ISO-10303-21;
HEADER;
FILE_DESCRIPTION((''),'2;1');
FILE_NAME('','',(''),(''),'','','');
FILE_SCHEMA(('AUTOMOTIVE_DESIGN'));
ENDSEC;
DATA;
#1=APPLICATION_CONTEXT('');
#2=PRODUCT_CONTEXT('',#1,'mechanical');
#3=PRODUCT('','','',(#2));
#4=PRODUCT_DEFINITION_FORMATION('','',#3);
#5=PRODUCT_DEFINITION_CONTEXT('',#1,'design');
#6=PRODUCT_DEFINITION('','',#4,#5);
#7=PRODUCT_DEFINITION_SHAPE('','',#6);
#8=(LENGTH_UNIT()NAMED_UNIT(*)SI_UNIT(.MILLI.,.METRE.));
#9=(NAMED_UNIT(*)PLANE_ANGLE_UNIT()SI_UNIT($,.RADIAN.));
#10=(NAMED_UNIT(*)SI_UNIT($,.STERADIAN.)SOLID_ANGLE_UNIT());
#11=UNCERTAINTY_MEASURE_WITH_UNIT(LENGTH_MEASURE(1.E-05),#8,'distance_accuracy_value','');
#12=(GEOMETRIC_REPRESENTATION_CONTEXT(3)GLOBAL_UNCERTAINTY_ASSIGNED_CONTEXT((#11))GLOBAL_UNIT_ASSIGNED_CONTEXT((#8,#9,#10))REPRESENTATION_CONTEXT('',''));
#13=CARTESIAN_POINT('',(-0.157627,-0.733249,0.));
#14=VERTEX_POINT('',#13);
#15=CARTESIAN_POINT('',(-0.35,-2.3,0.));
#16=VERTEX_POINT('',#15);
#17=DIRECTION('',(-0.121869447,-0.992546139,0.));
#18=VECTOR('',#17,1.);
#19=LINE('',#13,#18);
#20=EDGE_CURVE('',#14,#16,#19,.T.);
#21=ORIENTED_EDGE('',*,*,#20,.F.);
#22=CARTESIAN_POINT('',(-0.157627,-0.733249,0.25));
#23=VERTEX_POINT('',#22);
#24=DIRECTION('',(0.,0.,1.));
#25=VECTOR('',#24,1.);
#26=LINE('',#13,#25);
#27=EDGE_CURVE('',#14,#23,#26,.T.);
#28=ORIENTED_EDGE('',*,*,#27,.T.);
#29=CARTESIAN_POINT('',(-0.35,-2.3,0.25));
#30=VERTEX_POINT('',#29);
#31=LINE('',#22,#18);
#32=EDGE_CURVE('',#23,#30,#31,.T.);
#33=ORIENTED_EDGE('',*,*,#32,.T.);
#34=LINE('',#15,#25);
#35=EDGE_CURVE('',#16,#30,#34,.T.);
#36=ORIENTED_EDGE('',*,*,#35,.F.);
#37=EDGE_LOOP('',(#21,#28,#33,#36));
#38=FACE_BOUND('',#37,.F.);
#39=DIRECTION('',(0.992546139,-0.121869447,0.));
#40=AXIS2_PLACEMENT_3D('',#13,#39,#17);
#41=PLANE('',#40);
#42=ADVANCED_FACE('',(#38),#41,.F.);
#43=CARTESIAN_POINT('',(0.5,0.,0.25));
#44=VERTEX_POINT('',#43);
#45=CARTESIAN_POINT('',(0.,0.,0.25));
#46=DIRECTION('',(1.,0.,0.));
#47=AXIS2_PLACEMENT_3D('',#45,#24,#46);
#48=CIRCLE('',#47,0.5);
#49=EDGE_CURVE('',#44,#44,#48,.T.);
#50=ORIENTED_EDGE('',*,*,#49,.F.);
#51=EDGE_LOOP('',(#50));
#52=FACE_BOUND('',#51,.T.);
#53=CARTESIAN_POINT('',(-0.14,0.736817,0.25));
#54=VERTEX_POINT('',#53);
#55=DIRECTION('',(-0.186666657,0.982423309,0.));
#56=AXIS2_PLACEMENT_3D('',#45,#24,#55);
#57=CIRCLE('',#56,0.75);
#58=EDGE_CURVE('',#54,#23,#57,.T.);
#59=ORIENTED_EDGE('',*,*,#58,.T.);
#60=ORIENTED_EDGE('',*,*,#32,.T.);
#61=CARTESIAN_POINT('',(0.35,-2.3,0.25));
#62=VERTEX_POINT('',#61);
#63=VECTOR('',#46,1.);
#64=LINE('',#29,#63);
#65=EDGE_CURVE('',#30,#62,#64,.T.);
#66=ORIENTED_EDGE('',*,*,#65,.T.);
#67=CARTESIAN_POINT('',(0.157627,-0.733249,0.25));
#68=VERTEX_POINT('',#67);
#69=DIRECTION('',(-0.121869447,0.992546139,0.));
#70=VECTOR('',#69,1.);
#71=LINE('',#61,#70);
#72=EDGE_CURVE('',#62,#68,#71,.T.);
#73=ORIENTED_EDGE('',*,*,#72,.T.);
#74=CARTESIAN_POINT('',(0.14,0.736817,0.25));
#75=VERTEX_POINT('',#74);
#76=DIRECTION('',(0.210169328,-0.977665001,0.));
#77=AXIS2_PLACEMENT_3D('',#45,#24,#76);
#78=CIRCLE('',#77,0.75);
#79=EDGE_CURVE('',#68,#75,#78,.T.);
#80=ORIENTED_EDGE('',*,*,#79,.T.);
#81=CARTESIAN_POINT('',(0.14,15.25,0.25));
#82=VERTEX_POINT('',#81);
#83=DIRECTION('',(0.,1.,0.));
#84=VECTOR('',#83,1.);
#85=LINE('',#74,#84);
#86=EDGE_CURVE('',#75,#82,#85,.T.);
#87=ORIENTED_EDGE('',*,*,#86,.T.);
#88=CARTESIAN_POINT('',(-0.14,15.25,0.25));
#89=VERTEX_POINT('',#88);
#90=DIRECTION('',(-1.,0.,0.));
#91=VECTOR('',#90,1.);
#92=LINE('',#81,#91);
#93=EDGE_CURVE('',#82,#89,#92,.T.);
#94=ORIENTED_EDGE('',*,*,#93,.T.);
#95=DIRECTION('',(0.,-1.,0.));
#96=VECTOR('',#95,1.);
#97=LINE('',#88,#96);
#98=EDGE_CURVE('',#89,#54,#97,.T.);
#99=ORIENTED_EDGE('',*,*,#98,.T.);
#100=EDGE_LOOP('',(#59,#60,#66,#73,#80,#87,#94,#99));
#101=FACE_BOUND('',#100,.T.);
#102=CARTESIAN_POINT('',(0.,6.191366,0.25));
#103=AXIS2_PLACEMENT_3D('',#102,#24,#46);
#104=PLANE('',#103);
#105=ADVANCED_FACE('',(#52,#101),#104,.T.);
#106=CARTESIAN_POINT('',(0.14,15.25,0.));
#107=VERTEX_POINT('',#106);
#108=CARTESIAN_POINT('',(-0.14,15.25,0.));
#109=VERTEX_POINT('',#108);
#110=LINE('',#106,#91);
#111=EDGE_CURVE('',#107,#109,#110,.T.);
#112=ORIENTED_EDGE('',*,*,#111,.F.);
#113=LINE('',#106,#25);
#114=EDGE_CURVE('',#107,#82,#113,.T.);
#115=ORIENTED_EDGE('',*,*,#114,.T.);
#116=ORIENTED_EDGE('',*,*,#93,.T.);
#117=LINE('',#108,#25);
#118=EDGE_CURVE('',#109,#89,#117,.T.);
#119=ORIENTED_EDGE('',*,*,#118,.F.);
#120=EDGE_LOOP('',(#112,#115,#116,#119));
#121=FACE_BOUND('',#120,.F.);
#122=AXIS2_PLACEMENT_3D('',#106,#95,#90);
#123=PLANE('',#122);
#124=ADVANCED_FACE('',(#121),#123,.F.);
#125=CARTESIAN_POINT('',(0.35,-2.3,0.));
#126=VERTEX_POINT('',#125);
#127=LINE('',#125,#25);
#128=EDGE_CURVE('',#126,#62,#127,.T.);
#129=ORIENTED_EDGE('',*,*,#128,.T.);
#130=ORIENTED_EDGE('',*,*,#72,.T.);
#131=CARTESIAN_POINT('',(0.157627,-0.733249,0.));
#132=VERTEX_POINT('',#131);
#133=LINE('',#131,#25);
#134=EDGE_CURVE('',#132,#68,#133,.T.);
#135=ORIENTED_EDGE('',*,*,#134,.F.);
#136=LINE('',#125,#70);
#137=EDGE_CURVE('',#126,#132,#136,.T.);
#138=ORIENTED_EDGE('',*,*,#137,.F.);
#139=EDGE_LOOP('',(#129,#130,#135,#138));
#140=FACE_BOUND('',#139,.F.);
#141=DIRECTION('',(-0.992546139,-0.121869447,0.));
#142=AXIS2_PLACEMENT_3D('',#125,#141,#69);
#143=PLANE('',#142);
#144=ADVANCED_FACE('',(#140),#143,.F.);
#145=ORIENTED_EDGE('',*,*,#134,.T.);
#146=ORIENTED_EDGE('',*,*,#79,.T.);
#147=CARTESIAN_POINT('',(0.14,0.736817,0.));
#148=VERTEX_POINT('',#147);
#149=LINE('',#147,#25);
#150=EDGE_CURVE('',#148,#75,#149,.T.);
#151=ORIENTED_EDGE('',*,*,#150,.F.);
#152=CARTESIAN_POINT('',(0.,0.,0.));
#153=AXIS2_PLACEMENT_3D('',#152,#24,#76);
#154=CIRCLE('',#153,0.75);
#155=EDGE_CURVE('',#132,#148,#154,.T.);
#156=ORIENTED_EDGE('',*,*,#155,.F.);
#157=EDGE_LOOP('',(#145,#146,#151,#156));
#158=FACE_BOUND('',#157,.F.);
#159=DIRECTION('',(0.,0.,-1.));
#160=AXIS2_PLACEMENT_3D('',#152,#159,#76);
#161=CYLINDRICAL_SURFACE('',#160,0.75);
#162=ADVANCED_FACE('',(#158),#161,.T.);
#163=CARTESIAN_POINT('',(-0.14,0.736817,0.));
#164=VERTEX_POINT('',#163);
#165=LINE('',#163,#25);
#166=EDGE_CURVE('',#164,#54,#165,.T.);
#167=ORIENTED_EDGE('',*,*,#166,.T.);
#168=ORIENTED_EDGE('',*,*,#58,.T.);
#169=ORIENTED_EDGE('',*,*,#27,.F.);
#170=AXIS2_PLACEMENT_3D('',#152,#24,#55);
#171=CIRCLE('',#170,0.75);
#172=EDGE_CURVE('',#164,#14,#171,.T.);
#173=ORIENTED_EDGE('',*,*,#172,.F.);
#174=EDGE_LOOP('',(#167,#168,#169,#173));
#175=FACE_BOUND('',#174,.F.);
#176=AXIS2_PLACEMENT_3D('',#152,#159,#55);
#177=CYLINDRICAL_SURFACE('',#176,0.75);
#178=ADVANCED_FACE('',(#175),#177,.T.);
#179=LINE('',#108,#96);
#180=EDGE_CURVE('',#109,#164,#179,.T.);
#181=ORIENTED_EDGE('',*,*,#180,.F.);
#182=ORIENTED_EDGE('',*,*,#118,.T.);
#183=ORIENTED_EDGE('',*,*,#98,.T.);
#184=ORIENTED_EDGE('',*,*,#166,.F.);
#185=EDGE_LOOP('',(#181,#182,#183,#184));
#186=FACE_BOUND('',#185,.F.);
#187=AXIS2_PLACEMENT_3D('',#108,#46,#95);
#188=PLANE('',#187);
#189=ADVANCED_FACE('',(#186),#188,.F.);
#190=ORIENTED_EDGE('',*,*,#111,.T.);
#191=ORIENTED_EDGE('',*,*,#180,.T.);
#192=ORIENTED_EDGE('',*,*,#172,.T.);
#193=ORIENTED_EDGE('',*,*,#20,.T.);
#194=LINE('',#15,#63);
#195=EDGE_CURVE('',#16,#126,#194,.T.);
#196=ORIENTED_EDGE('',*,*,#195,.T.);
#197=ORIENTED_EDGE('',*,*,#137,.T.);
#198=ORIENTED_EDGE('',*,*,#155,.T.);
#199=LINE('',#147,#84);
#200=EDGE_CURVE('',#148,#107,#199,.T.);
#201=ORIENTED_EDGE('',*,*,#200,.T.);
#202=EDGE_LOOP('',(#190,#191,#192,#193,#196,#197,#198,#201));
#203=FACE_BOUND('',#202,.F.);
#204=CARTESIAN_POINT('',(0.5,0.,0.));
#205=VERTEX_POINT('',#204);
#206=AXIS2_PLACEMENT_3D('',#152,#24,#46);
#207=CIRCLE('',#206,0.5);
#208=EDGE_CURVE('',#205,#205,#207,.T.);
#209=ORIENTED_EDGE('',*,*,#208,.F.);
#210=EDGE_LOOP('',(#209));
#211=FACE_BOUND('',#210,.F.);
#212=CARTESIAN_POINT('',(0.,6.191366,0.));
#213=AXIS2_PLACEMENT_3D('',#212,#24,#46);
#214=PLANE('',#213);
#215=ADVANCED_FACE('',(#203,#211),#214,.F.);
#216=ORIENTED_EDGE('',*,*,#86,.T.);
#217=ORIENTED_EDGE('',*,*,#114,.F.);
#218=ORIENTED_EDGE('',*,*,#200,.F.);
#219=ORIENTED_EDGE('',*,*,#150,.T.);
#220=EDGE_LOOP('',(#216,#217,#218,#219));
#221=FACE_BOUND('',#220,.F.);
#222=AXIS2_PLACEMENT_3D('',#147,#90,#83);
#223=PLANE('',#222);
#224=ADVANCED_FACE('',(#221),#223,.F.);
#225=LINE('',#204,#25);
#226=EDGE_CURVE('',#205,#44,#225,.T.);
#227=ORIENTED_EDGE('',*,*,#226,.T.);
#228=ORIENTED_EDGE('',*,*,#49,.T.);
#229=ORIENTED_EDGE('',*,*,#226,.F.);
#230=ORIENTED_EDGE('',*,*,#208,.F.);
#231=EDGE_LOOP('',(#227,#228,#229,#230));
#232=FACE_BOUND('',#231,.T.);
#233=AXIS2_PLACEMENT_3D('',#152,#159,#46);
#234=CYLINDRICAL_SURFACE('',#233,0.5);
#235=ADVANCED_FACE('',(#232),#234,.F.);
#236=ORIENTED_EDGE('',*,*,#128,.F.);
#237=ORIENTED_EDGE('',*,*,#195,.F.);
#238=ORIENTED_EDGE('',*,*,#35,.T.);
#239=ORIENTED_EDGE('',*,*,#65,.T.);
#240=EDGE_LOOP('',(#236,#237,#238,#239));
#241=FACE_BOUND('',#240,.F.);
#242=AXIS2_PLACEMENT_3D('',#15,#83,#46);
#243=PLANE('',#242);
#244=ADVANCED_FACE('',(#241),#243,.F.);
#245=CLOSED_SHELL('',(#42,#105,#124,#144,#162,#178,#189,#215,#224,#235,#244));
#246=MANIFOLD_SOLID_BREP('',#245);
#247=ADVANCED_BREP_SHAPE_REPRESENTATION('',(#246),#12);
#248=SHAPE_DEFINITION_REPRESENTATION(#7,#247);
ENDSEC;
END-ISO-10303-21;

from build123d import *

# Parameters (mm, degrees)
F0_R     = 0.5
F1_DEPTH = 0.25


with BuildPart() as f1:
    # F0 (on Top) → F1 (new body)
    with BuildSketch(Plane.XY):
        with BuildLine():
            Line((0.35, -2.3), (0.157627, -0.733249))
            ThreePointArc((0.157627, -0.733249), (0.749946, 0.008992), (0.14, 0.736817))
            Line((0.14, 0.736817), (0.14, 15.25))
            Line((0.14, 15.25), (0, 15.25))
            Line((0, 15.25), (-0.14, 15.25))
            Line((-0.14, 15.25), (-0.14, 0.736817))
            ThreePointArc((-0.14, 0.736817), (-0.749946, 0.008992), (-0.157627, -0.733249))
            Line((-0.157627, -0.733249), (-0.35, -2.3))
            Line((-0.35, -2.3), (0, -2.3))
            Line((0, -2.3), (0.35, -2.3))
        make_face()
        Circle(F0_R, mode=Mode.SUBTRACT)
    extrude(amount=F1_DEPTH)


solid = f1.part
